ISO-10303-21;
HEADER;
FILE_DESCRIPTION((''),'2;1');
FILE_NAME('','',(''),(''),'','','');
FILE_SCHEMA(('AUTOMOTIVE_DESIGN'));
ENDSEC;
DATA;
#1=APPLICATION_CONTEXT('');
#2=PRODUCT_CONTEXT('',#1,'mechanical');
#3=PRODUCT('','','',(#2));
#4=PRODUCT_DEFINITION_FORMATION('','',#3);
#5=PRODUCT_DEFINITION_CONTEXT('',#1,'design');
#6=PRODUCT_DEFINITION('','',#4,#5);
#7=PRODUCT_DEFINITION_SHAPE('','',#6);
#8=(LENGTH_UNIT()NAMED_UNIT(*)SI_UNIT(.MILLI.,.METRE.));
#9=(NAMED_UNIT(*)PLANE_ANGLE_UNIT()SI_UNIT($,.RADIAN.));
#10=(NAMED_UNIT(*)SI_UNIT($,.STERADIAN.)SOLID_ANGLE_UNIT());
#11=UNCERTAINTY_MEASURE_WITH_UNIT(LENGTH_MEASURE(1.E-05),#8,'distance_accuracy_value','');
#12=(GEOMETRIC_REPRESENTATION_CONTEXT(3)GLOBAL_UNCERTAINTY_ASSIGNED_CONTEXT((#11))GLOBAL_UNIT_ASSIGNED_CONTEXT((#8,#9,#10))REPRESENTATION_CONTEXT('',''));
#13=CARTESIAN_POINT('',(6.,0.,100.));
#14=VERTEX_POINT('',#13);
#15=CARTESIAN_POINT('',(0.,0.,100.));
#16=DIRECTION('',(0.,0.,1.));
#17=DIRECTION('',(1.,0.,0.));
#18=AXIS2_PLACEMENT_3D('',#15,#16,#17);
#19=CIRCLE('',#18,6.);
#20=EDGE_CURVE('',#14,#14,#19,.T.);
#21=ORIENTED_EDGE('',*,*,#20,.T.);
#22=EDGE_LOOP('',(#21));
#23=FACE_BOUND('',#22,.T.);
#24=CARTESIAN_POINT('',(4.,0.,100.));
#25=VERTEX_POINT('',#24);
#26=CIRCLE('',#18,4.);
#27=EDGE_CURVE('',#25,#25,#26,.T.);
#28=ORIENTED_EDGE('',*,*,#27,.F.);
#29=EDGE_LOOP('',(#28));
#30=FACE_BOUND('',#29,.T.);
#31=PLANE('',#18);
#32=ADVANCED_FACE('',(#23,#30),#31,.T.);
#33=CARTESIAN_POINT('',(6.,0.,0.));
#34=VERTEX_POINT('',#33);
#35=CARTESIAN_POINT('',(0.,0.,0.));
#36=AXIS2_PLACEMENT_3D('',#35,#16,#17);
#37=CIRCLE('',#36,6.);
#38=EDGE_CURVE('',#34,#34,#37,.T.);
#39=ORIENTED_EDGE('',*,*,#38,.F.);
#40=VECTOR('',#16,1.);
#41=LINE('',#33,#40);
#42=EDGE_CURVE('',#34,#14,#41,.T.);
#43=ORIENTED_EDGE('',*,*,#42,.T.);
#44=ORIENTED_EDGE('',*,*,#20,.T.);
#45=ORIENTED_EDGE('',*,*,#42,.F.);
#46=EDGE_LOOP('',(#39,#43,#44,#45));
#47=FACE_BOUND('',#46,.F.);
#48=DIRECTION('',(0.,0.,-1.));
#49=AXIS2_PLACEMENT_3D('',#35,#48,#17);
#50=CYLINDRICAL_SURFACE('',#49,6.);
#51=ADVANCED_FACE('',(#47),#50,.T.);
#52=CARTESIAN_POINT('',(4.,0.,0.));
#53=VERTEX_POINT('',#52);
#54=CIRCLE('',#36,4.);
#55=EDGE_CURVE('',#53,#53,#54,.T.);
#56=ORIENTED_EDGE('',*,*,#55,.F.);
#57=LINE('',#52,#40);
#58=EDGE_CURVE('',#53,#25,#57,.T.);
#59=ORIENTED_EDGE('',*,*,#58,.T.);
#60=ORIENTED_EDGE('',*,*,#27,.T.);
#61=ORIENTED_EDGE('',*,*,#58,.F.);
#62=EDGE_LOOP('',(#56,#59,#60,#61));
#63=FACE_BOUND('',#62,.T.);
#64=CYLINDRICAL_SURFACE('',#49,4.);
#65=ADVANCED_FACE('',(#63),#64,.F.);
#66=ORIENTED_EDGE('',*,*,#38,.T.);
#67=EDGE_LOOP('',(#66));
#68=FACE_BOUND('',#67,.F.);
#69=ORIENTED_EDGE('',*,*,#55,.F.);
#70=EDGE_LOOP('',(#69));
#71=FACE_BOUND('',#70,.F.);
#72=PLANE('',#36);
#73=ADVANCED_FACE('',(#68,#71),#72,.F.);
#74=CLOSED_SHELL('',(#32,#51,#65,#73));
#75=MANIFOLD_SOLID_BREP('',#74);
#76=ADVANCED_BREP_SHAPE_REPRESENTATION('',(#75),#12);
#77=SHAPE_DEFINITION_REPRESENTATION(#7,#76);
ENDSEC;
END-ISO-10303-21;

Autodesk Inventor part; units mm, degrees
ref_plane "YZ Plane" through (0, 0, 0) normal (1, 0, 0) x (0, 1, 0)
ref_plane "Plano inicial" through (0, 0, 0) normal (0, 0, 1) x (1, 0, 0)
ref_plane "Plano final" through (0, 0, 100) normal (0, 0, 1) x (1, 0, 0)
sketch "Boceto2" plane through (0, 0, 0) normal (0, 0, 1) x (1, 0, 0)
  circle A0 centre (0, 0) radius 6
  circle A1 centre (0, 0) radius 4
  dimension "d2" = 12
  dimension "d13" = 2
extrude "Cuerpo" add sketch "Boceto2" along normal up to surface (100 mm away) from surface at 0
sketch "Sketch5" plane through (0, 0, 0) normal (0, 0, 1) x (1, 0, 0)
  line L0 (0, 0) -> (10, 0)
ref_plane "Work Plane5" through (0, 0, 0) normal (0, -1, 0) x (1, 0, 0)
sketch "Sketch6" plane through (0, 0, 0) normal (0, -1, 0) x (1, 0, 0)
  line L0 (-2, 0) -> (12, 0)
  line L1 (-2, 100) -> (12, 100)
  dimension "d20" = 100
equation "\"d14\" = G_L"
equation "\"d2\" = Diam"
equation "\"d13\" = ParT"
equation "\"Diam\" = 12"
equation "\"ParT\" = 2"
equation "\"G_L\" = d20"
equation "\"G_OFFSET_START\" = 0"
equation "\"G_OFFSET_END\" = 0"
properties part number "STN 426750(A) - 12-100" material "Acero, suave"
